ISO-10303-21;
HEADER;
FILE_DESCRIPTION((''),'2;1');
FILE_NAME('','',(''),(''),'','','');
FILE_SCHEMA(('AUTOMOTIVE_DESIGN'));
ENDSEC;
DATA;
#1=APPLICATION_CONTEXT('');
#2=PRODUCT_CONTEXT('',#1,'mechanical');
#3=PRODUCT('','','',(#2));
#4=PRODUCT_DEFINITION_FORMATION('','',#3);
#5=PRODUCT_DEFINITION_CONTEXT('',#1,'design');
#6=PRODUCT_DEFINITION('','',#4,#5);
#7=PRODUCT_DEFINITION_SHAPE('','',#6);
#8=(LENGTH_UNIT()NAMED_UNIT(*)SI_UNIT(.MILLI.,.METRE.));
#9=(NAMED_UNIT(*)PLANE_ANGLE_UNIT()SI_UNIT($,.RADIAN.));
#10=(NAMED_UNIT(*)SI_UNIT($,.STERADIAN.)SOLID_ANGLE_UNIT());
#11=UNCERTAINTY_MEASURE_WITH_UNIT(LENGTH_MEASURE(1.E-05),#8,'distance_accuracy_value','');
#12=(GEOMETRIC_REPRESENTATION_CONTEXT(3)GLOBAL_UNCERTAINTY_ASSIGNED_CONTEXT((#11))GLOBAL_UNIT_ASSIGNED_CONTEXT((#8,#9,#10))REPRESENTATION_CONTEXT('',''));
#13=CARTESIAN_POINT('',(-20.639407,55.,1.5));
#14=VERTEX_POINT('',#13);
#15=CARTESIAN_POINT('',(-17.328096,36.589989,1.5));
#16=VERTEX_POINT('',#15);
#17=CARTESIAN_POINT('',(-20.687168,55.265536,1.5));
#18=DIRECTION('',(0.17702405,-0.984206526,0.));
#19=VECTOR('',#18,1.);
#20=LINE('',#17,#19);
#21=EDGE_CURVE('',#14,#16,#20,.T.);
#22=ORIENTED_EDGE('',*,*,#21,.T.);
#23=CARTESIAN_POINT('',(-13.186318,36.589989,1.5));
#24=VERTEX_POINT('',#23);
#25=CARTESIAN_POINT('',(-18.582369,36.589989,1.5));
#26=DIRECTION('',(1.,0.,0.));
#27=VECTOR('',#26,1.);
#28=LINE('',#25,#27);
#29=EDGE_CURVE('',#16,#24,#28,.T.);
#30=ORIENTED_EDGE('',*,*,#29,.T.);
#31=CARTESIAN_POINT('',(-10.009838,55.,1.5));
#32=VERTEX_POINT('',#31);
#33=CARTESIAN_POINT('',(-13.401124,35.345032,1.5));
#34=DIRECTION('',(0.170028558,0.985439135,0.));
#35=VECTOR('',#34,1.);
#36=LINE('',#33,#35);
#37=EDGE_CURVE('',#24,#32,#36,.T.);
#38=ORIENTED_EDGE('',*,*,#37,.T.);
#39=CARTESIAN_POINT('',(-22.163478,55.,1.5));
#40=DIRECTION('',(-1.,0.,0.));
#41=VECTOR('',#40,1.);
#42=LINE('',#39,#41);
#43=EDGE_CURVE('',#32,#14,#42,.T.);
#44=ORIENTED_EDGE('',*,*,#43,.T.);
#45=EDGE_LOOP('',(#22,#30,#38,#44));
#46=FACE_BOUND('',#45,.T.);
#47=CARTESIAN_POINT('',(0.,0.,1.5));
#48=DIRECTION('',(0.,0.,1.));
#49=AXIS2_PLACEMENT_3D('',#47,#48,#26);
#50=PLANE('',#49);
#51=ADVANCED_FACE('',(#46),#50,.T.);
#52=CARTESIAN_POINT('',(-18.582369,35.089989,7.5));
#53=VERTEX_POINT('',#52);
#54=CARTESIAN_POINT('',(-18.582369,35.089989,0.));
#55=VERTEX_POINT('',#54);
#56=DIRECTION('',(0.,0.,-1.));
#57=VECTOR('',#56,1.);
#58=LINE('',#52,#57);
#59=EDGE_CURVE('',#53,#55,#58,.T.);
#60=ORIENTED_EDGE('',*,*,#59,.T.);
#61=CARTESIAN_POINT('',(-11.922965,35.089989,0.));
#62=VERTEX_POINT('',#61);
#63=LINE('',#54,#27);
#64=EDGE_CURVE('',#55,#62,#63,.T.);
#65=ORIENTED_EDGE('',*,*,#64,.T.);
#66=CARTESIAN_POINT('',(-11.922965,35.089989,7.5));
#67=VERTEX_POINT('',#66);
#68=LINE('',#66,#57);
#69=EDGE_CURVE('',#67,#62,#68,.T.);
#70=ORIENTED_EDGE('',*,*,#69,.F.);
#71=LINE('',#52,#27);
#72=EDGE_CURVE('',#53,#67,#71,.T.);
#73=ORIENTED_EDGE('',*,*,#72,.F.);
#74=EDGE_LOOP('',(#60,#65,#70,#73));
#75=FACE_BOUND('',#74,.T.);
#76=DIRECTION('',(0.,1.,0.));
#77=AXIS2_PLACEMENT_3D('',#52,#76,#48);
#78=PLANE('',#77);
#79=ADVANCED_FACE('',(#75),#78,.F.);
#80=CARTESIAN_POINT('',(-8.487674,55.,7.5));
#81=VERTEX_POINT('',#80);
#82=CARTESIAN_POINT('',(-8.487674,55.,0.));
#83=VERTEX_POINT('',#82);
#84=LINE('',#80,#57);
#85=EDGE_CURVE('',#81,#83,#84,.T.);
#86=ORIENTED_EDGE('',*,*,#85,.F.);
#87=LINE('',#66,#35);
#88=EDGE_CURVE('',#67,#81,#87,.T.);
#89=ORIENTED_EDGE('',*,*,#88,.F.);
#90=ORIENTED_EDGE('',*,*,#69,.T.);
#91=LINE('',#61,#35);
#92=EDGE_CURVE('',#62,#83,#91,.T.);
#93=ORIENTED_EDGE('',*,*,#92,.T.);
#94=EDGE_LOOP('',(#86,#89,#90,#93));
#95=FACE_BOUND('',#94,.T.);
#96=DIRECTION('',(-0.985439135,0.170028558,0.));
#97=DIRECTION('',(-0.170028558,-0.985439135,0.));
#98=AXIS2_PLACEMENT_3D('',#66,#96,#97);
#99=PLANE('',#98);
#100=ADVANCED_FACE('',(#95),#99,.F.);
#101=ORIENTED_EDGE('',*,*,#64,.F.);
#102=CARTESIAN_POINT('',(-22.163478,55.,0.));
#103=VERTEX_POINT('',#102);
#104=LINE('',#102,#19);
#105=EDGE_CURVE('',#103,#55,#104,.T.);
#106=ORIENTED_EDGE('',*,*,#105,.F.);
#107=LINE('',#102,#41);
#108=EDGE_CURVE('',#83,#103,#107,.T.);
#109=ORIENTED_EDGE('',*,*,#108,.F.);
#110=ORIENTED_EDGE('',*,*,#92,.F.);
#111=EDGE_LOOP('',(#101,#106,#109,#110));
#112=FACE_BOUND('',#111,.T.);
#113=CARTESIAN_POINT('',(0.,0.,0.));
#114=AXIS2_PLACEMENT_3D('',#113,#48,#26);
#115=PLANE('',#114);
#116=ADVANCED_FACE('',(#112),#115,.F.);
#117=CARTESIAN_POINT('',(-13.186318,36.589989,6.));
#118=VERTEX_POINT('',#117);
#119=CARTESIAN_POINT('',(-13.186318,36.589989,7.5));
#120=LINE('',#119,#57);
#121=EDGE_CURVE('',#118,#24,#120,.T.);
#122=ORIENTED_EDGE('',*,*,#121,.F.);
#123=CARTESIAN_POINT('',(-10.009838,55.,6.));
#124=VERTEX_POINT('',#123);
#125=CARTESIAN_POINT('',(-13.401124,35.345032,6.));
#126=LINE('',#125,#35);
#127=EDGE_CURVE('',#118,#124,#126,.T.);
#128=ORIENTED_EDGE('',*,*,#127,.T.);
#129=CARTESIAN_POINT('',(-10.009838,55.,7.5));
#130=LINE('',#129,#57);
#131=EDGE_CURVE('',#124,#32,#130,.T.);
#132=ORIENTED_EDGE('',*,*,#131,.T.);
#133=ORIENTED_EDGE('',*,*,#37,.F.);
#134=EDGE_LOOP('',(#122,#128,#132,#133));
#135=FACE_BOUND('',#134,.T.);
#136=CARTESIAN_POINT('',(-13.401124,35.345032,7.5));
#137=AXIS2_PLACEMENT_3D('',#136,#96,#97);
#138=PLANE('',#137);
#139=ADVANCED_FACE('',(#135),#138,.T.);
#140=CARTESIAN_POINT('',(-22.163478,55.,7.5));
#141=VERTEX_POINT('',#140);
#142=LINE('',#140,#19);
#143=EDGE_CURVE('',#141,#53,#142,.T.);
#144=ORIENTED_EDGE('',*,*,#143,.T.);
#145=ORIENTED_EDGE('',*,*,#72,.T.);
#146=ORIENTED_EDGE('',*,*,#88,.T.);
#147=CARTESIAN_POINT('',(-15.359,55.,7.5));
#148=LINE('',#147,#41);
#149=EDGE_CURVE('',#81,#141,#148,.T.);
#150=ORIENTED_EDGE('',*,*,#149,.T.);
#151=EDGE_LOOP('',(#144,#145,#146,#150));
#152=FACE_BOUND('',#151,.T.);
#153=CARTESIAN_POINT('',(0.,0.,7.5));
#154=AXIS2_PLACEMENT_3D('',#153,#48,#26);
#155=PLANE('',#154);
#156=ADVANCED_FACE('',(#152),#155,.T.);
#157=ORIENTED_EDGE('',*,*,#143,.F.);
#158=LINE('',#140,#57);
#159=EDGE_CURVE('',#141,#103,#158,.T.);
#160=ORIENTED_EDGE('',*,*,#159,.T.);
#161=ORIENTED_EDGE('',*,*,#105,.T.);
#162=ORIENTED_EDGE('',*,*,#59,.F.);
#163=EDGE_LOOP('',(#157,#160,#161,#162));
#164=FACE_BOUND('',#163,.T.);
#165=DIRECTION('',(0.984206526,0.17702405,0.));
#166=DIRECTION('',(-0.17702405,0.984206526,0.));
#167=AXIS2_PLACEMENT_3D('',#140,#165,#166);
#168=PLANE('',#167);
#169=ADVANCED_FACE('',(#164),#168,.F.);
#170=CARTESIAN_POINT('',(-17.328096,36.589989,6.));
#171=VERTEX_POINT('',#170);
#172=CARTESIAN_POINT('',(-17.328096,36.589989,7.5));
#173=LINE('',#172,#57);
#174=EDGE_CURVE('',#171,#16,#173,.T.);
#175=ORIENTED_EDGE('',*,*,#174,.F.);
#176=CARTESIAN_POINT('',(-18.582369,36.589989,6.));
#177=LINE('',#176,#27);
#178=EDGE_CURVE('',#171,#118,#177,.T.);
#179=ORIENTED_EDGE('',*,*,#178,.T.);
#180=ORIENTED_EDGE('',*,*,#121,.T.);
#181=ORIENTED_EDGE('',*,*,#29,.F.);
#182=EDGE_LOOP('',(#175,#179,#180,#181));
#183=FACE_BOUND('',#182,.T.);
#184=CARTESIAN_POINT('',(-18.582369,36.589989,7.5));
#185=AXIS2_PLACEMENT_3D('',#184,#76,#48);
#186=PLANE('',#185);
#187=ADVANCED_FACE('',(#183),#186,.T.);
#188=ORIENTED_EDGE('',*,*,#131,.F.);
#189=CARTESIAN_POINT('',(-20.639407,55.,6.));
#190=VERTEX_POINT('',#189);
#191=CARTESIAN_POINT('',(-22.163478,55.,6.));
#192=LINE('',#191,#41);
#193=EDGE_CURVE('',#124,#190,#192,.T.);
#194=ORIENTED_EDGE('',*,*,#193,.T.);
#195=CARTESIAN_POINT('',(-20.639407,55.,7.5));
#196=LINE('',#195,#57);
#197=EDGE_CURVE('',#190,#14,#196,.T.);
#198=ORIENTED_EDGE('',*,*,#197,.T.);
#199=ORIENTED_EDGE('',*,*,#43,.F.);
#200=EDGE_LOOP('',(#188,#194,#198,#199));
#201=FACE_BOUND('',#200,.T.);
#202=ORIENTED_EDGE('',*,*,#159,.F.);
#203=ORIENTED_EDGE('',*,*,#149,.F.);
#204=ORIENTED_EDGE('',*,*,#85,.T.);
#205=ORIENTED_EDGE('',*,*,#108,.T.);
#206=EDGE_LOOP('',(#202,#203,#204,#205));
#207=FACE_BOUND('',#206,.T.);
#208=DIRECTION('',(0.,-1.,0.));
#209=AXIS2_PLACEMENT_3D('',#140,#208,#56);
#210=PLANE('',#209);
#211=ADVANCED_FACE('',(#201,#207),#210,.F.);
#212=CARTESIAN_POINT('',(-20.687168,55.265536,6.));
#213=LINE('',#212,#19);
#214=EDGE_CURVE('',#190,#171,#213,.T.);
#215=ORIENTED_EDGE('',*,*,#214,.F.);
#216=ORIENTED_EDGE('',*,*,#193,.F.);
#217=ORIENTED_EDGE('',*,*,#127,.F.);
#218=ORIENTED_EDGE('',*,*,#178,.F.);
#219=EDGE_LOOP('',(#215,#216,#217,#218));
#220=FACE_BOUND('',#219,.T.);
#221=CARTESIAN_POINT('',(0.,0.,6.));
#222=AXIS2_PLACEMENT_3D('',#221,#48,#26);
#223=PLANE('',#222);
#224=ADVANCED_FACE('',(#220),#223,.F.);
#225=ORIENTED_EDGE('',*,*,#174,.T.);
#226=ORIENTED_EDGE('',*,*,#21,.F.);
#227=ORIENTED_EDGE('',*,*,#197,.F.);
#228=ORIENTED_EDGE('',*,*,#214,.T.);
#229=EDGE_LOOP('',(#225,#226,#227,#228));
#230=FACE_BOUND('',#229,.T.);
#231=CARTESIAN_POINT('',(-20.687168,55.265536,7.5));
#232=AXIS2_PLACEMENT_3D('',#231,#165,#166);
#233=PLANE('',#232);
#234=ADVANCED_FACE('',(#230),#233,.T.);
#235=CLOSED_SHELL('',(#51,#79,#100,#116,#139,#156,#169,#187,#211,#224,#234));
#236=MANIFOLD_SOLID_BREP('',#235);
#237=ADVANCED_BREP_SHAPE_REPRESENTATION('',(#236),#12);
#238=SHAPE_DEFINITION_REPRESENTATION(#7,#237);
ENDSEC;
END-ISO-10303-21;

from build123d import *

# Parameters (mm, degrees)
EXTRUDE_1_DEPTH = 7.5
SHELL_1_T       = -1.5


with BuildPart() as part:
    # 草图1 → 凸台-拉伸1 (new body)
    with BuildSketch(Plane.XY):
        Polygon((-22.163477656, 55), (-15.358999723, 55), (-8.487673684, 55), (-11.922964888, 35.089989422), (-18.582368801, 35.089989422), align=None)
    extrude(amount=EXTRUDE_1_DEPTH)

    # 抽壳1
    shell_1_openings = [part.faces().sort_by_distance(p)[0] for p in [
        (-15.32557567, 55, 3.75),
    ]]
    offset(amount=SHELL_1_T, openings=shell_1_openings, kind=Kind.INTERSECTION)


solid = part.part
